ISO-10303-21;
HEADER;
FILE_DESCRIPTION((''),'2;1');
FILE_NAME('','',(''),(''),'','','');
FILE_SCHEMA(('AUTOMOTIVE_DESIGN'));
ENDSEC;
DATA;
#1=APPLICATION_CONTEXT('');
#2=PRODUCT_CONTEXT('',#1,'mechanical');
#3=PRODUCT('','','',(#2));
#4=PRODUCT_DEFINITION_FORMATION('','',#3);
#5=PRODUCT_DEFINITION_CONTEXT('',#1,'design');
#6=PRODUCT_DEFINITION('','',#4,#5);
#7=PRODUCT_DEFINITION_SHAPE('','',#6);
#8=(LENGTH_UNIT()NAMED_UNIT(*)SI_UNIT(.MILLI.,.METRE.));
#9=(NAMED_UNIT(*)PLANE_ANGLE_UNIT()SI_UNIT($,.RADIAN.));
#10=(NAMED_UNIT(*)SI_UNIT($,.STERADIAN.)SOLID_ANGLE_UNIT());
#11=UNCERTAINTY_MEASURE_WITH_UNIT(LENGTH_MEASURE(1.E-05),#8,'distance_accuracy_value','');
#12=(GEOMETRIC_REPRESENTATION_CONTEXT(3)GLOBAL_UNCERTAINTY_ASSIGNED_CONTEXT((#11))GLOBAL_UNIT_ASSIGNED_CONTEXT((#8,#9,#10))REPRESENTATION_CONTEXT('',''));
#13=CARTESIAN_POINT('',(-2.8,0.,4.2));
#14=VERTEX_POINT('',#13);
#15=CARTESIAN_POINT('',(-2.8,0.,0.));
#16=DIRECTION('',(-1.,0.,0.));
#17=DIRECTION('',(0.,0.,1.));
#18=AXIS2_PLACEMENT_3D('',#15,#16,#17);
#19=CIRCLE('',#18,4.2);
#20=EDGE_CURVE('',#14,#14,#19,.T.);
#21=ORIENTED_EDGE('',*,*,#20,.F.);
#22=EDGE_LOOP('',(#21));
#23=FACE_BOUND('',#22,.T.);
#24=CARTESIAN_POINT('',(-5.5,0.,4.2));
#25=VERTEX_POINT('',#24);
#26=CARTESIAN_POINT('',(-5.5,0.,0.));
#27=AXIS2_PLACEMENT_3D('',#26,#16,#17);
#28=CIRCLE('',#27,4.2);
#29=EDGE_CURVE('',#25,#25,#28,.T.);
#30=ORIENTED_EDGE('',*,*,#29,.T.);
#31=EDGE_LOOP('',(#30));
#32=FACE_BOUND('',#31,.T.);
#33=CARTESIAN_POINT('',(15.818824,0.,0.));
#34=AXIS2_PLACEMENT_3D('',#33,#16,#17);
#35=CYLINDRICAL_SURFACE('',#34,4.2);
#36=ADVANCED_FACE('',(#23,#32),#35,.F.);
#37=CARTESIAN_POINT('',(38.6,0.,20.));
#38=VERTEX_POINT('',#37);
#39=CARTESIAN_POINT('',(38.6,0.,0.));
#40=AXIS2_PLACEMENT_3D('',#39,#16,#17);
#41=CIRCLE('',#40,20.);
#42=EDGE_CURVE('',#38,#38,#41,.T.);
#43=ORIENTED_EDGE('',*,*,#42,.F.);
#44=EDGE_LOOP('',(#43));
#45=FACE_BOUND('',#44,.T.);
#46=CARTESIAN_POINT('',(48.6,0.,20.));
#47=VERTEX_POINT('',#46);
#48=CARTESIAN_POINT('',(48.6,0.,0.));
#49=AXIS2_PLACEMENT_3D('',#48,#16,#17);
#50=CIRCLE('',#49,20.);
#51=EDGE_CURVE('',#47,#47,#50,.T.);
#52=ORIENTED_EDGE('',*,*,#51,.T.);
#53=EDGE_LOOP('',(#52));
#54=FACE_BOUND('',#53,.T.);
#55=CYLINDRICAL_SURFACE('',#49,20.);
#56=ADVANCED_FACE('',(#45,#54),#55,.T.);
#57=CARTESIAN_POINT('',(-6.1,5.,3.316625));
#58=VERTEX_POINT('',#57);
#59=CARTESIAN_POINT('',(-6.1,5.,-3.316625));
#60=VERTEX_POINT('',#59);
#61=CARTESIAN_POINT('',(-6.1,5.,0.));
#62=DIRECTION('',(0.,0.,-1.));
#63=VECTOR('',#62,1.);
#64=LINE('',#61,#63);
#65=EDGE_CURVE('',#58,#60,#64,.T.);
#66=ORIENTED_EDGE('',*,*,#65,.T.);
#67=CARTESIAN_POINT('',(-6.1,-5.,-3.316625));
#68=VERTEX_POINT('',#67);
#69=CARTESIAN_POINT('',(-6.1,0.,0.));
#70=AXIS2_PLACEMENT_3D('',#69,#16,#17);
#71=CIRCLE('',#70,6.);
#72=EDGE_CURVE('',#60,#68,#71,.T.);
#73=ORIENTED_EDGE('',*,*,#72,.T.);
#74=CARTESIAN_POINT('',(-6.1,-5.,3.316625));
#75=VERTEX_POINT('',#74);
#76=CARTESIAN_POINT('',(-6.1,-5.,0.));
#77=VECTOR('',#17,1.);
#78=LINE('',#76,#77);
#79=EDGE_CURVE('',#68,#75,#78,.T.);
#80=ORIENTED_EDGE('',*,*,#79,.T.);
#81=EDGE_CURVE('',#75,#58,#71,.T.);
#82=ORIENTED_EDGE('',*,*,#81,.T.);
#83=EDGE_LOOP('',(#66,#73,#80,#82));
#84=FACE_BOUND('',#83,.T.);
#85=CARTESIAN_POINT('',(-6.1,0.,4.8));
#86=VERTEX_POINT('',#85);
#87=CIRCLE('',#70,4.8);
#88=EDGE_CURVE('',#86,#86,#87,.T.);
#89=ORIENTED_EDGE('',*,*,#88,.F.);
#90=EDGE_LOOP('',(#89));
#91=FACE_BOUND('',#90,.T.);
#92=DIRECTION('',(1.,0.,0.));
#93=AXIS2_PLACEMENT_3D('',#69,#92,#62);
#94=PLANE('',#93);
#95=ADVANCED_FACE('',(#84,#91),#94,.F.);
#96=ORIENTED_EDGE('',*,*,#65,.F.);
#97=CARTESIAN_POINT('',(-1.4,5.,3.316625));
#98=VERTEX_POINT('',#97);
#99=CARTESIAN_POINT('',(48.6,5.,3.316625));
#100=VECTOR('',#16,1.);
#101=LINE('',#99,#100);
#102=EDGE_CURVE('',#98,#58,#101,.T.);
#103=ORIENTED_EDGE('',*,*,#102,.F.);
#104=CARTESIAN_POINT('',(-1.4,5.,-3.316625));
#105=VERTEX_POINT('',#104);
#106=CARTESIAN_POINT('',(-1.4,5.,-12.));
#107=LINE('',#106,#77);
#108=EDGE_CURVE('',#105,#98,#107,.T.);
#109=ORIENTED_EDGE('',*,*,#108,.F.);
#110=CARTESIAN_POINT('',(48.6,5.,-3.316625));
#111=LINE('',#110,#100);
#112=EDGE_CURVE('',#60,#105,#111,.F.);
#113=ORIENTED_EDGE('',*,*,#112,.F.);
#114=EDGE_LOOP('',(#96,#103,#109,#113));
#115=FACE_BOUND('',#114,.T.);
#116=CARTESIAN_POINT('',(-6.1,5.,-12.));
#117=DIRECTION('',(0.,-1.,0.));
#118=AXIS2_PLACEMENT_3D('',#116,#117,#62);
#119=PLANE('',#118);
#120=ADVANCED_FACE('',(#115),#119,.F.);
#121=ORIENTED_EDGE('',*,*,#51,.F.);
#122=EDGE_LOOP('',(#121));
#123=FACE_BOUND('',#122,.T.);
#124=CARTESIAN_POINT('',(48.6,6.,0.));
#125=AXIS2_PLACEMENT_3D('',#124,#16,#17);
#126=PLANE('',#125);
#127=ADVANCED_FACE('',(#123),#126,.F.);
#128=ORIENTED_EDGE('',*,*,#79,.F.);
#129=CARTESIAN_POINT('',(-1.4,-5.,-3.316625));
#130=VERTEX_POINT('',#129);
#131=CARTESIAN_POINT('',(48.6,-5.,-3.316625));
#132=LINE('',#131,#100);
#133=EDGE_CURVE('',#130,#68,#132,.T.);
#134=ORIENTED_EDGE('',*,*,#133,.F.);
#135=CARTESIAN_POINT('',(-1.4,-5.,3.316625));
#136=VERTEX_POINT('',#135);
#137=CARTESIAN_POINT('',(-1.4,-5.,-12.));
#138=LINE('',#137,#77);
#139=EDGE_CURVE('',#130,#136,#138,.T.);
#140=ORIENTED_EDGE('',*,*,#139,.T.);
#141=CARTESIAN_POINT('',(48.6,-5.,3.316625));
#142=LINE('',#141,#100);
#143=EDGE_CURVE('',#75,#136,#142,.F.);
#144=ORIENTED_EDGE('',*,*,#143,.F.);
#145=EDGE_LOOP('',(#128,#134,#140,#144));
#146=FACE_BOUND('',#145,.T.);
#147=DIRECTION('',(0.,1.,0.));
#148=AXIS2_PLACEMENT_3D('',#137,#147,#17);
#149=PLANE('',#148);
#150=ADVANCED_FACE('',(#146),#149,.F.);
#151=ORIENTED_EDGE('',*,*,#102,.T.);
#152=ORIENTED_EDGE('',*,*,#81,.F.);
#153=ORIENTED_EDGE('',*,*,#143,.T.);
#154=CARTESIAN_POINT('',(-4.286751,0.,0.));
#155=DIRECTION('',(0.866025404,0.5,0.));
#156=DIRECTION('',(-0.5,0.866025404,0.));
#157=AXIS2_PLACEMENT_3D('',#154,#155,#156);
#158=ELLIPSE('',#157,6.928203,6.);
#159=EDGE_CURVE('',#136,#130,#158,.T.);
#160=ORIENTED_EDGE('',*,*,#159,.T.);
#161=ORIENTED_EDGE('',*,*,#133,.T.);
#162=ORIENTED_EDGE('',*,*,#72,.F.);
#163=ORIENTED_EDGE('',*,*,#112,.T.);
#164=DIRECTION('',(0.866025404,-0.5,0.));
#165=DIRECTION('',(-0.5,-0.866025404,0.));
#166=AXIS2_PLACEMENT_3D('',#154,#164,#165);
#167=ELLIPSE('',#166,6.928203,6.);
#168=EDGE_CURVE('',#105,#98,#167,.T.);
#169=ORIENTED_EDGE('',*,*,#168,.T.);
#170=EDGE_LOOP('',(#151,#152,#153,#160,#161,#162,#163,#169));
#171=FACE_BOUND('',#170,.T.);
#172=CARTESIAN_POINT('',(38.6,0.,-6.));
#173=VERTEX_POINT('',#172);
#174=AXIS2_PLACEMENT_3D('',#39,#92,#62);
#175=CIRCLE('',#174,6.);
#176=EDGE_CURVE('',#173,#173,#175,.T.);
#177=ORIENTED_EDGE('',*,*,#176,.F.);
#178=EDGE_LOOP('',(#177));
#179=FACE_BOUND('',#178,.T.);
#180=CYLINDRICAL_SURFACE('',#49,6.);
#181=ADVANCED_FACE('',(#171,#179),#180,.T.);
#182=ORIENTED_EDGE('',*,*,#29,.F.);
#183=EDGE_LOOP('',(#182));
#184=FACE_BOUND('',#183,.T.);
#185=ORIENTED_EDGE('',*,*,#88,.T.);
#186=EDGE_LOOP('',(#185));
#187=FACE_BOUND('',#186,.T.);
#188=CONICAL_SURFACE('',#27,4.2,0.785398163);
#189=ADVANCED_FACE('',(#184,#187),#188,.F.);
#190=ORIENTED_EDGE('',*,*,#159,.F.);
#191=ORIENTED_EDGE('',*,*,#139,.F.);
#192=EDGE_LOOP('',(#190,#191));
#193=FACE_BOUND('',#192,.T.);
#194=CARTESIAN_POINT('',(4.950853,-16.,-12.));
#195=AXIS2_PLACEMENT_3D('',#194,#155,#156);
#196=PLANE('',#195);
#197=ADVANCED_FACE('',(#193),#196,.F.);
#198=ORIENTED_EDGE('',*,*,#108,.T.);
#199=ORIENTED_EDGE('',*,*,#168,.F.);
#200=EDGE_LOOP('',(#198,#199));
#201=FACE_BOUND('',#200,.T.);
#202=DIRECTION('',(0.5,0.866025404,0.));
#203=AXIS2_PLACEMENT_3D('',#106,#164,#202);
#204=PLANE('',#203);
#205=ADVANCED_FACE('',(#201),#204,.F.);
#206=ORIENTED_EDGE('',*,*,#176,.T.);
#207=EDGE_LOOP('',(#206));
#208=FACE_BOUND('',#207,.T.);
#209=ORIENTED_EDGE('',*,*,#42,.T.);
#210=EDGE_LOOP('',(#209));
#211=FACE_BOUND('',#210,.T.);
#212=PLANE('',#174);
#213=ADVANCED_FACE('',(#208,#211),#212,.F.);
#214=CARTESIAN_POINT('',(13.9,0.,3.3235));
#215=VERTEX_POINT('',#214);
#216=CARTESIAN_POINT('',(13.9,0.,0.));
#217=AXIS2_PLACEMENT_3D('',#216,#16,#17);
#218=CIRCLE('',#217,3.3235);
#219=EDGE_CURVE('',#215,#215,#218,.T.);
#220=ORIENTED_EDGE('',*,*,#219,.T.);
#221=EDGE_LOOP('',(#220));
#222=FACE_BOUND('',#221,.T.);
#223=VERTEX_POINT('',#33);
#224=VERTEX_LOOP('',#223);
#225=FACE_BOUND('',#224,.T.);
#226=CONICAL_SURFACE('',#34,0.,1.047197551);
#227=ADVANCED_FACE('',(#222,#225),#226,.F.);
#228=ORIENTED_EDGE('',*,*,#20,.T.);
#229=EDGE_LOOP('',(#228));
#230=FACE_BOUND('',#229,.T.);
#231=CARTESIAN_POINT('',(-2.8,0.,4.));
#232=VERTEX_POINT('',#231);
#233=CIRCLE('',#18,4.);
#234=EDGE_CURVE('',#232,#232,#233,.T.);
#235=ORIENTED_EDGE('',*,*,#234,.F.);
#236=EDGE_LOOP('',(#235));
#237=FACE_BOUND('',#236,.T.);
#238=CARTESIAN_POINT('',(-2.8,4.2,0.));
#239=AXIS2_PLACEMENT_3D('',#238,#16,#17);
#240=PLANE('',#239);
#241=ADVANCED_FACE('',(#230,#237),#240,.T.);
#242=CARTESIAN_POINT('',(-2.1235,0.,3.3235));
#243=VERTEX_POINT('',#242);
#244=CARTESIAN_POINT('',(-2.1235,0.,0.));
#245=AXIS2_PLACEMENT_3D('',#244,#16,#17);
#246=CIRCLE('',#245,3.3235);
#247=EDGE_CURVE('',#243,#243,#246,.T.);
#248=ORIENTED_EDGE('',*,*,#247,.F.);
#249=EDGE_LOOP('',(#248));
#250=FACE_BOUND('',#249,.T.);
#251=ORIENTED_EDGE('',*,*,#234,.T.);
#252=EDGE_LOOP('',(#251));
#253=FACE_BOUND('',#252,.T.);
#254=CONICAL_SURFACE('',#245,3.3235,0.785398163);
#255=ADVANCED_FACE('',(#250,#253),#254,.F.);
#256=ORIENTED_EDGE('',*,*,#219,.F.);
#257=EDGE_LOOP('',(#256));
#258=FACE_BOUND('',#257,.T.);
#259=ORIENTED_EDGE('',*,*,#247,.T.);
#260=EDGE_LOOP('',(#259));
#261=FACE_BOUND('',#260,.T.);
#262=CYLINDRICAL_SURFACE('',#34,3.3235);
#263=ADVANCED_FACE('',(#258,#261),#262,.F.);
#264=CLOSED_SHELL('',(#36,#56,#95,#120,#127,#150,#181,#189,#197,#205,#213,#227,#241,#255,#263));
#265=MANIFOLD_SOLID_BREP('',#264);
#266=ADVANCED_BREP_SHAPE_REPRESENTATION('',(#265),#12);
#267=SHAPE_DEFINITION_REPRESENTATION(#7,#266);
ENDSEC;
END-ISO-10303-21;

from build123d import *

# Parameters (mm, degrees)
SKIZZE1_W                            = 54.7
SKIZZE1_H                            = 6
SKIZZE2_W                            = 10
SKIZZE2_H                            = 20
SCHNITT_LINEAR_AUSTRAGEN1_DEPTH      = 12
SCHNITT_LINEAR_AUSTRAGEN1_DEPTH_BACK = 12


with BuildPart() as part:
    # Skizze1 → Rotation1 (revolve)
    with BuildSketch(Plane.XY):
        with Locations((21.25, 3)):
            Rectangle(SKIZZE1_W, SKIZZE1_H)
    revolve(axis=Axis((48.6, 0, 0), (-1, 0, 0)))

    # Skizze2 → Rotation2 (revolve)
    with BuildSketch(Plane.XY):
        with Locations((43.6, 10)):
            Rectangle(SKIZZE2_W, SKIZZE2_H)
    revolve(axis=Axis((48.6, 0, 0), (-1, 0, 0)))

    # Skizze3 → Schnitt-Linear austragen1 (cut, two sides: drawn at the far end of the back side and taken through both)
    with BuildSketch(Plane.XY.offset(-SCHNITT_LINEAR_AUSTRAGEN1_DEPTH_BACK)):
        Polygon((-36.2, -16), (4.950852961, -16), (-1.4, -5), (-6.1, -5), (-6.1, -10), (-30.1, -10), (-30.1, 10), (-6.1, 10), (-6.1, 5), (-1.4, 5), (4.950852961, 16), (-36.2, 16), align=None)
    extrude(amount=SCHNITT_LINEAR_AUSTRAGEN1_DEPTH + SCHNITT_LINEAR_AUSTRAGEN1_DEPTH_BACK, mode=Mode.SUBTRACT)

    # Skizze4 → Schnitt-Rotation1 (revolve, cut)
    with BuildSketch(Plane.XY):
        Polygon((-6.1, 0), (-6.1, 4.8), (-5.5, 4.2), (-2.8, 4.2), (-2.8, 4), (-2.1235, 3.3235), (13.9, 3.3235), (15.81882362, 0), align=None)
    revolve(axis=Axis((15.81882362, 0, 0), (-1, 0, 0)), mode=Mode.SUBTRACT)


solid = part.part
